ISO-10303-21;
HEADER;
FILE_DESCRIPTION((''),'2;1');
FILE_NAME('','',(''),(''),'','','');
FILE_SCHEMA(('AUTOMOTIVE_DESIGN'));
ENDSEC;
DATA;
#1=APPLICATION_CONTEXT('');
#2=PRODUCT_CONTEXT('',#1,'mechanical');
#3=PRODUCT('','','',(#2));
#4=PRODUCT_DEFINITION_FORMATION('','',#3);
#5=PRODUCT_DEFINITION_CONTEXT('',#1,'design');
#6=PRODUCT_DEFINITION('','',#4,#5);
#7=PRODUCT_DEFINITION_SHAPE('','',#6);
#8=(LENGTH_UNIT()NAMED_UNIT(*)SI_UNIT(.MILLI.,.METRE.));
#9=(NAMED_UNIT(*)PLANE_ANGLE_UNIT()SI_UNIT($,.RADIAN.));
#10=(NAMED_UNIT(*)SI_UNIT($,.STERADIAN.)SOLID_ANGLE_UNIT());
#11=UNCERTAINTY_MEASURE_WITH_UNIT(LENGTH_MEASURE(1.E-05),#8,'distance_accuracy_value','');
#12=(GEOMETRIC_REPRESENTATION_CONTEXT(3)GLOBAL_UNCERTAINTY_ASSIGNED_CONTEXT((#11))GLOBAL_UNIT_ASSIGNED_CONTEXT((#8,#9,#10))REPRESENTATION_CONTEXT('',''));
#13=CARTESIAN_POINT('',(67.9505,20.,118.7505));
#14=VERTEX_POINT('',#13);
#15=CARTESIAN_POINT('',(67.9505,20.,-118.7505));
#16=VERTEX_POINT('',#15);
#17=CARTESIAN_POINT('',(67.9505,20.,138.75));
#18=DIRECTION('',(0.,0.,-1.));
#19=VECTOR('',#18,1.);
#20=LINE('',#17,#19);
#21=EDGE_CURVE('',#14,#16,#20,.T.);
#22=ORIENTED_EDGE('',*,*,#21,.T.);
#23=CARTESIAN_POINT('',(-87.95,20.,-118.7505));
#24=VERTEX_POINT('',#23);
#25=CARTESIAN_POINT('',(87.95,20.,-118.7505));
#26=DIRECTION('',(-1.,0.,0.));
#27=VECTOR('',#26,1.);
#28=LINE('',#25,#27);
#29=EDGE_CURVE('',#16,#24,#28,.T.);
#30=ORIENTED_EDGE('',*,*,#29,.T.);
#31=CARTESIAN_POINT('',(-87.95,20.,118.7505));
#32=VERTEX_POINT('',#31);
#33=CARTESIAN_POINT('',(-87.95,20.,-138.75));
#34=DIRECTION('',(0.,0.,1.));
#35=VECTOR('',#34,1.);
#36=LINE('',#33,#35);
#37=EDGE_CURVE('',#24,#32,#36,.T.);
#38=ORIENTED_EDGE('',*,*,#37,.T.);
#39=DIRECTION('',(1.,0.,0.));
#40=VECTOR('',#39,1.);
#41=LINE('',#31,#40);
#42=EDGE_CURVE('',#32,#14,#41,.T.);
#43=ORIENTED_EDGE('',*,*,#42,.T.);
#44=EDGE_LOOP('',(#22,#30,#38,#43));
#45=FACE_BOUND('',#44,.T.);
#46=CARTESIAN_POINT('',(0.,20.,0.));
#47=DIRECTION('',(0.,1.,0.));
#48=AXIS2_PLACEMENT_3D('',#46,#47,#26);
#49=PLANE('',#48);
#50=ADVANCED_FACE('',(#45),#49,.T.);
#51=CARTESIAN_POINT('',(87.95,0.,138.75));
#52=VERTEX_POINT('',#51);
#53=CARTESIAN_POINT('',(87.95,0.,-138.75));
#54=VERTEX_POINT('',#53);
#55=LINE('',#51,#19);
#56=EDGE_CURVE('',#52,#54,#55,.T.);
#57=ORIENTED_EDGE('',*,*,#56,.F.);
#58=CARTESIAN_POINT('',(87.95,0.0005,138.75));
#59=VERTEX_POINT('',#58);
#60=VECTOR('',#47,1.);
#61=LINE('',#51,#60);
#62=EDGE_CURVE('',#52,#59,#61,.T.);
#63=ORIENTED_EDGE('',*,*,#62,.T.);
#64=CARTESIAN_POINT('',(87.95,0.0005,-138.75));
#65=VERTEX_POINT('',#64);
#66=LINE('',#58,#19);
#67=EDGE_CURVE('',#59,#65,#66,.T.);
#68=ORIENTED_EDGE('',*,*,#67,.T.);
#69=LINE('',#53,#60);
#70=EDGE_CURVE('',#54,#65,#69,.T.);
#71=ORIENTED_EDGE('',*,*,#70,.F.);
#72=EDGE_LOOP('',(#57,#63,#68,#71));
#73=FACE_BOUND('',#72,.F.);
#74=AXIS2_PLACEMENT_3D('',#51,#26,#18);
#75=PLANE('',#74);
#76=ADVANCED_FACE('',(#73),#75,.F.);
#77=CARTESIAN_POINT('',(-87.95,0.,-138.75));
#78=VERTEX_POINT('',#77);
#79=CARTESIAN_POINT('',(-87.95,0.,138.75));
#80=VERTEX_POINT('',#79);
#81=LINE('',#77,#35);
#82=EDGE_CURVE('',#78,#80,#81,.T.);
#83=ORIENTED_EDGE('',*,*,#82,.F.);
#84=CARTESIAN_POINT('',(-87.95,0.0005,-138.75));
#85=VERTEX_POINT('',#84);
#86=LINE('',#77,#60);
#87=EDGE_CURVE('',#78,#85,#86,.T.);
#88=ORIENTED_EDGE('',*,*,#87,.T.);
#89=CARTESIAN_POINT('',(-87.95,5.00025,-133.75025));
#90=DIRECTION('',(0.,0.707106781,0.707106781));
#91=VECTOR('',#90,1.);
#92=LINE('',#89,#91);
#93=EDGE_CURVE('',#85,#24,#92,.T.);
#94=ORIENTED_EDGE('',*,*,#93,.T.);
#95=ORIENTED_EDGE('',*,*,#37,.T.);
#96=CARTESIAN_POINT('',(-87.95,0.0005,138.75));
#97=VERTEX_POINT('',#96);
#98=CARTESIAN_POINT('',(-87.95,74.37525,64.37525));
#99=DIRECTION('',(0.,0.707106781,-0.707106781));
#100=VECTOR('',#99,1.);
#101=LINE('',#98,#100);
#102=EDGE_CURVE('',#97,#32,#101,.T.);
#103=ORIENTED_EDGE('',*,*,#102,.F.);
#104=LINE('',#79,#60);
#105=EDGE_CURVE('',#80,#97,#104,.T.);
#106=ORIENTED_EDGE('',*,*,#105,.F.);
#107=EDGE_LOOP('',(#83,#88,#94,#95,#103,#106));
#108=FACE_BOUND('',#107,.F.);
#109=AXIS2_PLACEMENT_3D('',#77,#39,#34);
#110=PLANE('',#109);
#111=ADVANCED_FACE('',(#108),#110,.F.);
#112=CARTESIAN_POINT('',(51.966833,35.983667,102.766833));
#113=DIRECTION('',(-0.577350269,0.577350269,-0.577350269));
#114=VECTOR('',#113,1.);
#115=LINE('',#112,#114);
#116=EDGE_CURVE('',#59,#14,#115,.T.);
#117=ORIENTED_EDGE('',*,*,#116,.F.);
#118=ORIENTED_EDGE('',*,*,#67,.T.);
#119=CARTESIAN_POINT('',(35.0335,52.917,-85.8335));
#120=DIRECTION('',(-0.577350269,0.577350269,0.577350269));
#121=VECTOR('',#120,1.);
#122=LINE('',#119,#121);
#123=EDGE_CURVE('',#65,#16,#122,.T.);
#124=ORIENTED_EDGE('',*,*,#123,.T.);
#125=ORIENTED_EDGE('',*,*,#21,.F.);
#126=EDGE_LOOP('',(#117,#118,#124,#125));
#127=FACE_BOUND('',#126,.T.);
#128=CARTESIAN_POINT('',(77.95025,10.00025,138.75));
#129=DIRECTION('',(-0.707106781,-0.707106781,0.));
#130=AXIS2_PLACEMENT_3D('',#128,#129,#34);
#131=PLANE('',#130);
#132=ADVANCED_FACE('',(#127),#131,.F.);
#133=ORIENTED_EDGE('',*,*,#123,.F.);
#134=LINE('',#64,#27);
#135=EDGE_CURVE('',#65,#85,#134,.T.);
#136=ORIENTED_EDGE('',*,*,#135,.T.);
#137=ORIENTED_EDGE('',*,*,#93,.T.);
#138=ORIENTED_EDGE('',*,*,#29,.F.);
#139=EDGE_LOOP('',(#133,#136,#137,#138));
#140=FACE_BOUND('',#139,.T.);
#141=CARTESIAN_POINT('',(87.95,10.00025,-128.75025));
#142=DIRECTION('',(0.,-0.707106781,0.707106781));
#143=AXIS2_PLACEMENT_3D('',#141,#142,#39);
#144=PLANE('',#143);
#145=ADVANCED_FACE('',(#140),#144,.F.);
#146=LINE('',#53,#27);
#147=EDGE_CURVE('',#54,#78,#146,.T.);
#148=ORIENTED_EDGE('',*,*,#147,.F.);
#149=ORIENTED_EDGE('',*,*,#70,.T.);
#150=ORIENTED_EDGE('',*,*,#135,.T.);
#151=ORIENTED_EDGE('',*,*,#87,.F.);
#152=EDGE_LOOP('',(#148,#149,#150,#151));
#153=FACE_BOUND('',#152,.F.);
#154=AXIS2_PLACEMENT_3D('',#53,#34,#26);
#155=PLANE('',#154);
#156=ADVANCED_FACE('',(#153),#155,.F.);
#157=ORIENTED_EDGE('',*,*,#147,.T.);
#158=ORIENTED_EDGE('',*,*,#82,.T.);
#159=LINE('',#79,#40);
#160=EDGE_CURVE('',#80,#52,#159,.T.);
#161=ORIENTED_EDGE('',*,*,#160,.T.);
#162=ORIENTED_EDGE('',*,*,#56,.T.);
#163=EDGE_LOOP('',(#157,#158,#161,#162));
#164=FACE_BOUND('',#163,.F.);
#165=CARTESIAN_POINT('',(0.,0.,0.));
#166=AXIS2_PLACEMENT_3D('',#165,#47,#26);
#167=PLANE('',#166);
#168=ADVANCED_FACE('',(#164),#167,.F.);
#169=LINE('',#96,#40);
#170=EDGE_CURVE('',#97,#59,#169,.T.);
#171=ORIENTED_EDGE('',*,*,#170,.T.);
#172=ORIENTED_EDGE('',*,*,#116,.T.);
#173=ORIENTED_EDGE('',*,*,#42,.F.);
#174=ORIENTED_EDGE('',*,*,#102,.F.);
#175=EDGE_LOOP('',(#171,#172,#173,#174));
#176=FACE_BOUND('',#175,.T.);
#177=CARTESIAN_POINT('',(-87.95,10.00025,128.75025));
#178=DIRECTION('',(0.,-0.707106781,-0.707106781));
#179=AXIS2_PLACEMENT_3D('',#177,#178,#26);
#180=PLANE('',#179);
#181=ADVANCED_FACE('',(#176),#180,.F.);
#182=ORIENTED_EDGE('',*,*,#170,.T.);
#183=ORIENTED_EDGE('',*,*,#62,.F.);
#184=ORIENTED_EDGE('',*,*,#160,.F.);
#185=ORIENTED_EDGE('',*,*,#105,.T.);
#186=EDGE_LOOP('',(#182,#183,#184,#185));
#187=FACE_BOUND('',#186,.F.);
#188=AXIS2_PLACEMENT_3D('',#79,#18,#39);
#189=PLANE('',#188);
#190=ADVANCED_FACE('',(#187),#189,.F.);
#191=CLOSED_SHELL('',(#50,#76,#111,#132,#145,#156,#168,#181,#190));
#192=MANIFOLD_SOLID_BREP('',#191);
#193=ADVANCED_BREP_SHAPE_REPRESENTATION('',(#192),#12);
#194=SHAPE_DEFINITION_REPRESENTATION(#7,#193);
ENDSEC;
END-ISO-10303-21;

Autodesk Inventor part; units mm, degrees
ref_plane "YZ Plane" through (0, 0, 0) normal (1, 0, 0) x (0, 1, 0)
ref_plane "XZ Plane" through (0, 0, 0) normal (0, 1, 0) x (-1, 0, 0)
ref_plane "XY Plane" through (0, 0, 0) normal (0, 0, 1) x (1, 0, 0)
sketch "Sketch1" plane through (0, 0, 0) normal (0, 1, 0) x (-1, 0, 0)
  line L0 (87.95, 138.75) -> (-87.95, 138.75)
  line L1 (-87.95, 138.75) -> (-87.95, -138.75)
  line L2 (-87.95, -138.75) -> (87.95, -138.75)
  line L3 (87.95, -138.75) -> (87.95, 138.75)
  line L4 (87.95, 138.75) -> (-87.95, -138.75) construction
  line L5 (-87.95, 138.75) -> (87.95, -138.75) construction
  point P0 (0, 0)
  dimension "d0" = 175.9
  dimension "d1" = 277.5
extrude "Extrusion1" add sketch "Sketch1" along normal blind 20
chamfer "Chamfer3" distance 20 angle 45 3 edges at (0, 20, 138.75) (0, 20, -138.75) (87.95, 20, 0)
